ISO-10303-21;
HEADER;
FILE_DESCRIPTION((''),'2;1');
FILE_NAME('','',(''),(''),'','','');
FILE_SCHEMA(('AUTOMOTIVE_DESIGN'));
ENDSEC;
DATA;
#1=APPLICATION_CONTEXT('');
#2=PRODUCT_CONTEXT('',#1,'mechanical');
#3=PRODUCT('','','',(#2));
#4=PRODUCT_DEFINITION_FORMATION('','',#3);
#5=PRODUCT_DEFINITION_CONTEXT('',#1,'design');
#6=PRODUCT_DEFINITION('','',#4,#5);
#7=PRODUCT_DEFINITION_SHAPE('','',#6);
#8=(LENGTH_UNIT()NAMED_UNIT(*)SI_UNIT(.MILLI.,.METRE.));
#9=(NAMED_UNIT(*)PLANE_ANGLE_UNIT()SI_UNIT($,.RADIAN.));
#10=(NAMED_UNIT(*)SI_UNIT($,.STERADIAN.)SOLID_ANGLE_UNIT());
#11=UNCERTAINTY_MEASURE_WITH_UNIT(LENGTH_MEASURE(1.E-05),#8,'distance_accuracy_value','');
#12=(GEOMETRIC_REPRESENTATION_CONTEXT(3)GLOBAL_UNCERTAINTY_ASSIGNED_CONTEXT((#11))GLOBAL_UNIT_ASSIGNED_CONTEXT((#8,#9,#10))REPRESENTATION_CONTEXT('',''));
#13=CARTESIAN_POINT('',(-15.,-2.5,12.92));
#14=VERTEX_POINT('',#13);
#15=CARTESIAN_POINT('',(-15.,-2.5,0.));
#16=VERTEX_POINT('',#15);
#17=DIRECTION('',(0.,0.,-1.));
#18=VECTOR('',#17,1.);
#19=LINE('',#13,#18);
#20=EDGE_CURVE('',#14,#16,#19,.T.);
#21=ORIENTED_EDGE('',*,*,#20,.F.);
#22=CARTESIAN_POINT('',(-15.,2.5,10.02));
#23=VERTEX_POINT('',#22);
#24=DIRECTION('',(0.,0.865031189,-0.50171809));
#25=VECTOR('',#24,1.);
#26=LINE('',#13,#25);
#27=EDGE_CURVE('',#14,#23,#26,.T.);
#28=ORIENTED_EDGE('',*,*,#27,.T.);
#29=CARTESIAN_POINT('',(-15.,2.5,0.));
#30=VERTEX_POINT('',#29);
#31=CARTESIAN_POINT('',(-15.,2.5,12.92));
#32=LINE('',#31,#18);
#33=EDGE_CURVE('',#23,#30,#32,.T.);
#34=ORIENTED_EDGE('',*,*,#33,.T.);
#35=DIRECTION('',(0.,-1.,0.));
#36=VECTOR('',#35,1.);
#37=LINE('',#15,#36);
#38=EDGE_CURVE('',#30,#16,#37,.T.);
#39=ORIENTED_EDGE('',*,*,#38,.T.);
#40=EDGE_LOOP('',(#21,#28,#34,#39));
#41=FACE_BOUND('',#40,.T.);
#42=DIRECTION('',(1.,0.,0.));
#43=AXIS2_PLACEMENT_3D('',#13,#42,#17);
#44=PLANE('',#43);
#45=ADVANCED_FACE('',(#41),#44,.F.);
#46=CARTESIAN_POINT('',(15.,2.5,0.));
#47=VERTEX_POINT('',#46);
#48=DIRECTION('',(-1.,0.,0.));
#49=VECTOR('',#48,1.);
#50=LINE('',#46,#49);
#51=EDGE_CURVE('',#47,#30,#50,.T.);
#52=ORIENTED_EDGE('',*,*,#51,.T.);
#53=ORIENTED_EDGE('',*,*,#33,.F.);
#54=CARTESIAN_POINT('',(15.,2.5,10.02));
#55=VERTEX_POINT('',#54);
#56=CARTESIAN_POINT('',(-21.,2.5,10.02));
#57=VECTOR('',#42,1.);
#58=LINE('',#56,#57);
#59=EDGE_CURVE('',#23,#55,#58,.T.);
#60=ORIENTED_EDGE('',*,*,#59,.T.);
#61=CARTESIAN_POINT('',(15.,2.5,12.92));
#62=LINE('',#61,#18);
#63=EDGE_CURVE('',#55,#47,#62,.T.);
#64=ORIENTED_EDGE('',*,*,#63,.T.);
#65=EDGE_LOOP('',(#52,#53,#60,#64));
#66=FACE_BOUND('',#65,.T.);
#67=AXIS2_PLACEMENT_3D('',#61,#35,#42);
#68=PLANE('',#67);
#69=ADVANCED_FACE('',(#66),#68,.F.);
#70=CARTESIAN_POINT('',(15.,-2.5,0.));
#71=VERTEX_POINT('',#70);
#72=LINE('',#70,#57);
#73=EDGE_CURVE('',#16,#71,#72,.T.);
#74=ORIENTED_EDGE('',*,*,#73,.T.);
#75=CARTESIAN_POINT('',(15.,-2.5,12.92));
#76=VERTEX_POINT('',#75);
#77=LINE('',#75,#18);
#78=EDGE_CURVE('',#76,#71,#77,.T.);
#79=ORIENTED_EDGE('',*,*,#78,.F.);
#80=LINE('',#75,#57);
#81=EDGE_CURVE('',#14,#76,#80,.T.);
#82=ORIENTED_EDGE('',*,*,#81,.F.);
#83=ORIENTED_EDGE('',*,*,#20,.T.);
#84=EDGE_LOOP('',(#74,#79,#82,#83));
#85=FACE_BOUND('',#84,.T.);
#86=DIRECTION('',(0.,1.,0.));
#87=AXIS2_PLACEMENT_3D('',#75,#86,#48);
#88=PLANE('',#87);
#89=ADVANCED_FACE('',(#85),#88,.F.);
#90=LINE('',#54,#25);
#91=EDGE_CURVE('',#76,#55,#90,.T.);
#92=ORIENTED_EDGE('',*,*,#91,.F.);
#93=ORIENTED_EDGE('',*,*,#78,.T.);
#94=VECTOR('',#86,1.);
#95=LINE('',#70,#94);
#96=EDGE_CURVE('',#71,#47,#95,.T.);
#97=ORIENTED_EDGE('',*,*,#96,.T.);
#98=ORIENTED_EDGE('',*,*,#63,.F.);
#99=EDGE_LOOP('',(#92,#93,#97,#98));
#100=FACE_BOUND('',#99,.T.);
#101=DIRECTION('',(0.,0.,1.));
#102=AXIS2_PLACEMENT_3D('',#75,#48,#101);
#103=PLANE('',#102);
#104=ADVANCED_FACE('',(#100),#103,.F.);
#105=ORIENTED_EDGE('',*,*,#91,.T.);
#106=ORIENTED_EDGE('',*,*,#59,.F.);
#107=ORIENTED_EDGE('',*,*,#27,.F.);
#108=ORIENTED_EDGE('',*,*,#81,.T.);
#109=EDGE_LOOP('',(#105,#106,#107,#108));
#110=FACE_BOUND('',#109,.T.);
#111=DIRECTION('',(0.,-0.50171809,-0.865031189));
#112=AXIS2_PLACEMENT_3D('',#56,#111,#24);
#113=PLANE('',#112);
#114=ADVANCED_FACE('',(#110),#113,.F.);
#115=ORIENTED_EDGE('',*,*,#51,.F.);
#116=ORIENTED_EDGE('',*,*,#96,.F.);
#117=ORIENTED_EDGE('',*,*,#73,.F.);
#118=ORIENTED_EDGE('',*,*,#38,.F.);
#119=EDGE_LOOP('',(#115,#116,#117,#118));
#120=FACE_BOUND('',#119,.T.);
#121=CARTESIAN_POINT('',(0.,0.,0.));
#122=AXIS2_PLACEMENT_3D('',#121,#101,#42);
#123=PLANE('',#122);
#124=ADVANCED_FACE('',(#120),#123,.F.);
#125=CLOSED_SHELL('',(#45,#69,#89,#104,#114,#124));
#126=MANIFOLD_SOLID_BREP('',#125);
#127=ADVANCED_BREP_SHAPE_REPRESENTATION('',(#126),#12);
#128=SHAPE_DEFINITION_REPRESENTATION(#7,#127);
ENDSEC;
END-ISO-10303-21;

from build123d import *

# Parameters (mm, degrees)
SKETCH1_W           = 30
SKETCH1_H           = 5
BOSS_EXTRUDE1_DEPTH = 12.92
CUT_EXTRUDE1_DEPTH  = 36


with BuildPart() as part:
    # Sketch1 → Boss-Extrude1 (new body)
    with BuildSketch(Plane.XY):
        Rectangle(SKETCH1_W, SKETCH1_H)
    extrude(amount=BOSS_EXTRUDE1_DEPTH)

    # Sketch2 → Cut-Extrude1 (cut)
    with BuildSketch(Plane(origin=(15, 0, 0), x_dir=(0, 0, -1), z_dir=(1, 0, 0))):
        Polygon((-10.02, 2.5), (-12.92, -2.5), (-12.92, 2.5), align=None)
    extrude(amount=-CUT_EXTRUDE1_DEPTH, mode=Mode.SUBTRACT)


solid = part.part
